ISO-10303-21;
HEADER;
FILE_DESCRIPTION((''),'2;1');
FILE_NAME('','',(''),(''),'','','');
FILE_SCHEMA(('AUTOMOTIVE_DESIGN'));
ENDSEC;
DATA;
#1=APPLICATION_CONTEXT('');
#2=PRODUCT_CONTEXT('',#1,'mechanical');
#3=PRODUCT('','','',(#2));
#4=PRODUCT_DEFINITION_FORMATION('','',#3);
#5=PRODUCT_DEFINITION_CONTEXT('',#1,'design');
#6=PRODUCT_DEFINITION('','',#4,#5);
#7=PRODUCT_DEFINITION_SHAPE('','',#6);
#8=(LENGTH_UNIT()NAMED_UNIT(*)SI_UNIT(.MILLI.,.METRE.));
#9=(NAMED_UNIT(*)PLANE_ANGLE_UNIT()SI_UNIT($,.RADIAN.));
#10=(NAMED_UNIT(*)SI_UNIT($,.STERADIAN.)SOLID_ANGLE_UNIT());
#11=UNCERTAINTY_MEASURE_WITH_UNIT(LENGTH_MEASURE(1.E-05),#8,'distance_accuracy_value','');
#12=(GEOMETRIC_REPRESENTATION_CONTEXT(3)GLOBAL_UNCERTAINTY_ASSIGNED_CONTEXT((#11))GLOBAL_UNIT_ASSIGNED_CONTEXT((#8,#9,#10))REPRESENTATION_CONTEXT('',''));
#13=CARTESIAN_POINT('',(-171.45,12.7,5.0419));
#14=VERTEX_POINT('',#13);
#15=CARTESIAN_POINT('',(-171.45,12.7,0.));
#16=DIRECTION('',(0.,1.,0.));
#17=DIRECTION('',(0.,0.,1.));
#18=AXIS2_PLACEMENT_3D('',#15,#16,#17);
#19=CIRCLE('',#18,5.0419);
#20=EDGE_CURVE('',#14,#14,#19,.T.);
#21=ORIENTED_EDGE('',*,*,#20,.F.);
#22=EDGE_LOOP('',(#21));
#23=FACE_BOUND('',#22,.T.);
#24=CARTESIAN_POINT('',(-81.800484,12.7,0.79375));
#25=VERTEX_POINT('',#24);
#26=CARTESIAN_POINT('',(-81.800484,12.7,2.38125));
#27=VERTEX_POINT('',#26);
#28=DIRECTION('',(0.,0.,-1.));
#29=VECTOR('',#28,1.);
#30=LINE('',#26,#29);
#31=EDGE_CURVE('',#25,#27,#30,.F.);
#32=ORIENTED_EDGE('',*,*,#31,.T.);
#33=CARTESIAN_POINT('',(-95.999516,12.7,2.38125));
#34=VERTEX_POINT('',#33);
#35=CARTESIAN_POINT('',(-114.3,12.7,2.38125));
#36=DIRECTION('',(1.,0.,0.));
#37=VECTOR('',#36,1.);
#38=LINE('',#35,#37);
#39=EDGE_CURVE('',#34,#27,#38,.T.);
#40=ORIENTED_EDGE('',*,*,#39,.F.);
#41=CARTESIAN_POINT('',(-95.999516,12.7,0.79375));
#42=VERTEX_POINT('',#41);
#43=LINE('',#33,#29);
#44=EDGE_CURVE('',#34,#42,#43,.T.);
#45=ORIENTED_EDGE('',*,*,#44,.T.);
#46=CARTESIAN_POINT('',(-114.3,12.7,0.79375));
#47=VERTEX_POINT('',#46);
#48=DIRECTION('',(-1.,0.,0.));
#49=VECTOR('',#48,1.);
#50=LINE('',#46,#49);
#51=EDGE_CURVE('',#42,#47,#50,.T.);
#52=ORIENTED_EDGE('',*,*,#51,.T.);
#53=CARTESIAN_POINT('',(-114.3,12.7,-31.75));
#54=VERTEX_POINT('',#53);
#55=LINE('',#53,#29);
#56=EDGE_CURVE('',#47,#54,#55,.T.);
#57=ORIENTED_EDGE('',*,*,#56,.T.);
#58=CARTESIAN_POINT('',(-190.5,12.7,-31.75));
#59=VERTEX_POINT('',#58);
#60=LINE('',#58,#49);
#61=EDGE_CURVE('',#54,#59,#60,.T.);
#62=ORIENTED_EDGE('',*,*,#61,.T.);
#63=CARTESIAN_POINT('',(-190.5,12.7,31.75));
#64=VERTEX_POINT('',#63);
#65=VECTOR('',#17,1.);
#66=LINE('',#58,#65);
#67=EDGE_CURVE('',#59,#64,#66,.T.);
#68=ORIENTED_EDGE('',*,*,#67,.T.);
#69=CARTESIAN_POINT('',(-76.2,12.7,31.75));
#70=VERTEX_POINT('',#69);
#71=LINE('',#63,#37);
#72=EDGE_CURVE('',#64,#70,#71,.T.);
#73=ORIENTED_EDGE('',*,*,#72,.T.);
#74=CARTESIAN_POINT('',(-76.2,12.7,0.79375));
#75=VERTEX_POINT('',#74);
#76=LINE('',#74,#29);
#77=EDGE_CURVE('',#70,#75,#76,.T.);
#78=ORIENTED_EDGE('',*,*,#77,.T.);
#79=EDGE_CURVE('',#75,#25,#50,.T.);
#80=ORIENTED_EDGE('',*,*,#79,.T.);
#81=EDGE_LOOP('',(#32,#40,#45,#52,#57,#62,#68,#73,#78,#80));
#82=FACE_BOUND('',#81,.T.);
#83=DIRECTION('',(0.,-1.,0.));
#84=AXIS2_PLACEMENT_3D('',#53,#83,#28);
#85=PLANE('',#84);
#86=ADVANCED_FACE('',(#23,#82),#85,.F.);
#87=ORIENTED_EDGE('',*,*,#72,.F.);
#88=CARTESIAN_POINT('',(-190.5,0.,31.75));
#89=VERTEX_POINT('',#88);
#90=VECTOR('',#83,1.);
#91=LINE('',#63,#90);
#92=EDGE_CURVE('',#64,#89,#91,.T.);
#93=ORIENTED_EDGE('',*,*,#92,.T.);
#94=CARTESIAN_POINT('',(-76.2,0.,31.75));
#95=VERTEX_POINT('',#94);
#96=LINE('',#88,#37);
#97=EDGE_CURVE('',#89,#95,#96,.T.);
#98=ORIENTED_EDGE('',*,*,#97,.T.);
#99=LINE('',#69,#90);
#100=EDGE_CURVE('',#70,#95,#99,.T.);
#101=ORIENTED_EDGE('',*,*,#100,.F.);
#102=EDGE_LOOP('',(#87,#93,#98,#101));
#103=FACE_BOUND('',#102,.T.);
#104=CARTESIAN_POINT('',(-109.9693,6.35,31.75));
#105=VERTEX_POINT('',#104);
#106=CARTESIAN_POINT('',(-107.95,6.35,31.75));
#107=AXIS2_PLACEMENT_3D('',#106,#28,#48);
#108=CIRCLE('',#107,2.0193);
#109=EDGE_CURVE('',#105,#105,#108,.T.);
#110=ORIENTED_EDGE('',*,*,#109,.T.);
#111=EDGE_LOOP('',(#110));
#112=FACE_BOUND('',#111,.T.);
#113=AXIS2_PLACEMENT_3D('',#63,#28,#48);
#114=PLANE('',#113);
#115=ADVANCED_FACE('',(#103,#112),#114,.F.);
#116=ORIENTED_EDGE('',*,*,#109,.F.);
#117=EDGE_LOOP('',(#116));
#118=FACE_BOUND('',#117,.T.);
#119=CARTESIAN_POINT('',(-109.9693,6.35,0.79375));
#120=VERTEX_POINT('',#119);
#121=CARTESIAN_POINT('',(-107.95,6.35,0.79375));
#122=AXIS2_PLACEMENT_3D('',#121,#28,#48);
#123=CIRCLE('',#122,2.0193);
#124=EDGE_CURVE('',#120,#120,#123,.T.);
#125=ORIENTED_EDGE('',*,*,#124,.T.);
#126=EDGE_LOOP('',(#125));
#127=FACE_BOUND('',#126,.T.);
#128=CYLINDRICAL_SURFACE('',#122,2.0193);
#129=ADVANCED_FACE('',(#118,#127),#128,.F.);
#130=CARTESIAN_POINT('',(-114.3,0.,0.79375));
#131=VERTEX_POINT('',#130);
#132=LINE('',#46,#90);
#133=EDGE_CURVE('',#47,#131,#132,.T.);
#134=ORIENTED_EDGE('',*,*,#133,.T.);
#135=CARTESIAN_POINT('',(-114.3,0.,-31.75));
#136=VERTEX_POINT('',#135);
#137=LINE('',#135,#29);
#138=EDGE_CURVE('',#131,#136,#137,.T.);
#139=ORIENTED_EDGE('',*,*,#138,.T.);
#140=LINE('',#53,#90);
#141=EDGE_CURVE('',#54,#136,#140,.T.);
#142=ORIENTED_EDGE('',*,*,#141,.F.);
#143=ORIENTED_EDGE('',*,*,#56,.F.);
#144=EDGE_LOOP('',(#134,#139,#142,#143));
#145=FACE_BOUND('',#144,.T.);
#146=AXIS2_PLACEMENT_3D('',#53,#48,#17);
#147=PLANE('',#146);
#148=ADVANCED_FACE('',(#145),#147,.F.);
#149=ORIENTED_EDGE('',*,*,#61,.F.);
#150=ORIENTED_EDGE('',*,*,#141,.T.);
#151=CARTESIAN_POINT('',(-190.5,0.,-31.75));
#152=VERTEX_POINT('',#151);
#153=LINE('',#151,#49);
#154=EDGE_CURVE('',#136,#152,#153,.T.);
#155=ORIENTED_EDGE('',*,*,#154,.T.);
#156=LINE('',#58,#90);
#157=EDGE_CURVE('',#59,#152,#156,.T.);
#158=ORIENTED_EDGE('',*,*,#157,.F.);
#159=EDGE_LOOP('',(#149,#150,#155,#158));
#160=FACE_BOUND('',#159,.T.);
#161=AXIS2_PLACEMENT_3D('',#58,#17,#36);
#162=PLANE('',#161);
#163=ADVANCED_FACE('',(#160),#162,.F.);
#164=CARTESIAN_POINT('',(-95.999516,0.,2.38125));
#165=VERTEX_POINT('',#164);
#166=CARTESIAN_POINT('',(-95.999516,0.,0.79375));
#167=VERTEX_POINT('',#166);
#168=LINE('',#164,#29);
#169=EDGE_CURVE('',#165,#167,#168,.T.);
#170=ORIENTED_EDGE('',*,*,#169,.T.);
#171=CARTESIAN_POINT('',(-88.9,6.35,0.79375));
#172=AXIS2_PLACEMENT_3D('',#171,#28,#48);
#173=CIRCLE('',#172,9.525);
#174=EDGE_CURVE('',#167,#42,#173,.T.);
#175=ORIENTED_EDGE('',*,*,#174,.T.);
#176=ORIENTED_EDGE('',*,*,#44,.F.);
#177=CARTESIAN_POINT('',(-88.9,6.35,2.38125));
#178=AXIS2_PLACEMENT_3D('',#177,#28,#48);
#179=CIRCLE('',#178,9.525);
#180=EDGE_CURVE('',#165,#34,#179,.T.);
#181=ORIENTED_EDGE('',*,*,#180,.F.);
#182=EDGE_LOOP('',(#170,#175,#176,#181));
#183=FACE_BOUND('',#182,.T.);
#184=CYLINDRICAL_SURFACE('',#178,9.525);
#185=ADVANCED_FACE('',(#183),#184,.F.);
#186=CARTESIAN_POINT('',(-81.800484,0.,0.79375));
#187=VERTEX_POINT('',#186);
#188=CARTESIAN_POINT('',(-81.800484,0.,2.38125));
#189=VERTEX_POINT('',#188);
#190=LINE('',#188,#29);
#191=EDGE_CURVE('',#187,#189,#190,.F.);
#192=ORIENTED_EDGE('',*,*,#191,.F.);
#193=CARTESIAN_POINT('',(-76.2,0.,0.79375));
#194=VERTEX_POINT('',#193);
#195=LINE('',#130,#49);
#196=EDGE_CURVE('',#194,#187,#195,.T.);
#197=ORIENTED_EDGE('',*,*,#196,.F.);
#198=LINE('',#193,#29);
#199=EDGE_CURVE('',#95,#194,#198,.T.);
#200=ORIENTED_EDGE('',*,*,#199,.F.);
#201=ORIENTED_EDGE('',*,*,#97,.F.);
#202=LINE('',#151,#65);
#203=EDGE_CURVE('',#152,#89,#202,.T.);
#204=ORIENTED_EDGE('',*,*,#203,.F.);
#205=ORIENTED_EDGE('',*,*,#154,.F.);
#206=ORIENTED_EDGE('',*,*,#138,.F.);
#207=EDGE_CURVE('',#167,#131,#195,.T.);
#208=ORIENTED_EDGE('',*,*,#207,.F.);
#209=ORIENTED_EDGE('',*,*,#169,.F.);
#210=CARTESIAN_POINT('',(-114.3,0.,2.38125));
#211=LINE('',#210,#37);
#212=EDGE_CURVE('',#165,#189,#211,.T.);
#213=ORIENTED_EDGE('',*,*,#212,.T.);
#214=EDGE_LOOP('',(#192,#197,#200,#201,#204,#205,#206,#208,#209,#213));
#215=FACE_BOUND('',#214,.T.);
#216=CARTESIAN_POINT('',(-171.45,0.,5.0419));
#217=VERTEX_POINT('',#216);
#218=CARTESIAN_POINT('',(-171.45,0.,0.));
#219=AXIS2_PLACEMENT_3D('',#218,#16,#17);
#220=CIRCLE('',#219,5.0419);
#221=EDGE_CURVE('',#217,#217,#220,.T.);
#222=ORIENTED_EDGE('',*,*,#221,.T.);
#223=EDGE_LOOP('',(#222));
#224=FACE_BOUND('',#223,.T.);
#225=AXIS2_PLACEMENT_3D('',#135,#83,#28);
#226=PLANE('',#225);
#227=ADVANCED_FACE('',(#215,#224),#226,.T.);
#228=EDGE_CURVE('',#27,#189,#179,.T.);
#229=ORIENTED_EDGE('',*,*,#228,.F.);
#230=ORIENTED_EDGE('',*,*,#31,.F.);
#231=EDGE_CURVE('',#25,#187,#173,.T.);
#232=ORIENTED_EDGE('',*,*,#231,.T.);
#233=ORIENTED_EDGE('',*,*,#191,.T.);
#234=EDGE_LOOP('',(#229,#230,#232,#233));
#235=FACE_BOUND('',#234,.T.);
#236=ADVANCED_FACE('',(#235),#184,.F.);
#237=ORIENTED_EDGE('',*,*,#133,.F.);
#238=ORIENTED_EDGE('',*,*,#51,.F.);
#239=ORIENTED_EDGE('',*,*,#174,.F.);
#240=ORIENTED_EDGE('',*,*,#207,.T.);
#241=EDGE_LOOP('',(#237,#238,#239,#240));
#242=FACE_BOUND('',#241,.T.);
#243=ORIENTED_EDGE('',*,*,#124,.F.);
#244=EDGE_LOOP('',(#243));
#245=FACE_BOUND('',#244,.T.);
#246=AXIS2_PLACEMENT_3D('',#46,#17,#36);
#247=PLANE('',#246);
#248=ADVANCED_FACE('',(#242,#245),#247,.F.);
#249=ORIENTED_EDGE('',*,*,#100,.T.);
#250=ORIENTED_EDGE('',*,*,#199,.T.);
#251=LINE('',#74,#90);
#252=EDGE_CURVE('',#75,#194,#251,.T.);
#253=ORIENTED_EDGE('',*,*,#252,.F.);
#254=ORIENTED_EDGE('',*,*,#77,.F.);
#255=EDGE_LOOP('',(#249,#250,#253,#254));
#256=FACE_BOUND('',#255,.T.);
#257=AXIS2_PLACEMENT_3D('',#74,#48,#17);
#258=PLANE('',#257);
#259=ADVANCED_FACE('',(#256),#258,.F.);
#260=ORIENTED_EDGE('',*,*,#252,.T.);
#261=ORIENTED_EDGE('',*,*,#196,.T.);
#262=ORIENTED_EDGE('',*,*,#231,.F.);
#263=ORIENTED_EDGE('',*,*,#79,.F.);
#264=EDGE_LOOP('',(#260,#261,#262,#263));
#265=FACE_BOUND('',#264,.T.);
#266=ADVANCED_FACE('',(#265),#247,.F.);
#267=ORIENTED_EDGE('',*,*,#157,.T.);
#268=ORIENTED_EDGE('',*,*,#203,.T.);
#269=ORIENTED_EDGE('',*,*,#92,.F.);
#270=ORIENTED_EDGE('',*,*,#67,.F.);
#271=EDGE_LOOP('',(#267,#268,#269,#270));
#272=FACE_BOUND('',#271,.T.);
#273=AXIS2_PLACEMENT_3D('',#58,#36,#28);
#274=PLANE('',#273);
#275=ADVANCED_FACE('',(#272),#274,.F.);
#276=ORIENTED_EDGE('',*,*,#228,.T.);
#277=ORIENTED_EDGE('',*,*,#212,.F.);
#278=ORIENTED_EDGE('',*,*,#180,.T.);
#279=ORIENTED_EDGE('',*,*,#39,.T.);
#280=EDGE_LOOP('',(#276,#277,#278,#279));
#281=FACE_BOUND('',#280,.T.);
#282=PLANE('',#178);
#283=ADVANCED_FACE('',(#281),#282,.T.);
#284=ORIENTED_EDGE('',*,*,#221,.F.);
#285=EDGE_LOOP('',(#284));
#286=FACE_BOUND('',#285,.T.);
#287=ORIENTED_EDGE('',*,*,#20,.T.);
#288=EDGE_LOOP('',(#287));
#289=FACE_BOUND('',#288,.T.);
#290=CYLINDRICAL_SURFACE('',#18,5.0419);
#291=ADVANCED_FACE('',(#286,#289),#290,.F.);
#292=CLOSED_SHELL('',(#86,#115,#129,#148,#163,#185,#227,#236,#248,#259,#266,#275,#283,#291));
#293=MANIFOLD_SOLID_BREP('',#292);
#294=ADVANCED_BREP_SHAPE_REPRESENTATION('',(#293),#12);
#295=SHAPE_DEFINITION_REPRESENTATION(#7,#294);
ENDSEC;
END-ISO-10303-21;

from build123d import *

# Parameters (mm, degrees)
BOSS_EXTRUDE1_DEPTH     = 12.7
F_10_32_TAPPED_HOLE1_D  = 4.0386
F_3_8_CLEARANCE_HOLE1_D = 10.0838
SKETCH9_R               = 9.525
CUT_EXTRUDE1_DEPTH      = 1.5875


with BuildPart() as part:
    # Sketch1 → Boss-Extrude1 (new body)
    with BuildSketch(Plane(origin=(0, 0, 0), x_dir=(1, 0, 0), z_dir=(0, 1, 0))):
        Polygon((-114.3, 31.75), (-114.3, -0.79375), (-76.2, -0.79375), (-76.2, -31.75), (-190.5, -31.75), (-190.5, 31.75), align=None)
    extrude(amount=BOSS_EXTRUDE1_DEPTH)

    # #10-32 Tapped Hole1 (through all)
    with Locations(Plane(origin=(0, 0, 0.79375), x_dir=(-1, 0, 0), z_dir=(0, 0, -1))):
        with Locations((107.95, 6.35)):
            Hole(F_10_32_TAPPED_HOLE1_D / 2)

    # 3/8 Clearance Hole1 (through all)
    with Locations(Plane(origin=(0, 12.7, 0), x_dir=(1, 0, 0), z_dir=(0, 1, 0))):
        with Locations((-171.45, 0)):
            Hole(F_3_8_CLEARANCE_HOLE1_D / 2)

    # Sketch9 → Cut-Extrude1 (cut)
    with BuildSketch(Plane(origin=(0, 0, 0.79375), x_dir=(-1, 0, 0), z_dir=(0, 0, -1))):
        with Locations((88.9, 6.35)):
            Circle(SKETCH9_R)
    extrude(amount=-CUT_EXTRUDE1_DEPTH, mode=Mode.SUBTRACT)


solid = part.part
